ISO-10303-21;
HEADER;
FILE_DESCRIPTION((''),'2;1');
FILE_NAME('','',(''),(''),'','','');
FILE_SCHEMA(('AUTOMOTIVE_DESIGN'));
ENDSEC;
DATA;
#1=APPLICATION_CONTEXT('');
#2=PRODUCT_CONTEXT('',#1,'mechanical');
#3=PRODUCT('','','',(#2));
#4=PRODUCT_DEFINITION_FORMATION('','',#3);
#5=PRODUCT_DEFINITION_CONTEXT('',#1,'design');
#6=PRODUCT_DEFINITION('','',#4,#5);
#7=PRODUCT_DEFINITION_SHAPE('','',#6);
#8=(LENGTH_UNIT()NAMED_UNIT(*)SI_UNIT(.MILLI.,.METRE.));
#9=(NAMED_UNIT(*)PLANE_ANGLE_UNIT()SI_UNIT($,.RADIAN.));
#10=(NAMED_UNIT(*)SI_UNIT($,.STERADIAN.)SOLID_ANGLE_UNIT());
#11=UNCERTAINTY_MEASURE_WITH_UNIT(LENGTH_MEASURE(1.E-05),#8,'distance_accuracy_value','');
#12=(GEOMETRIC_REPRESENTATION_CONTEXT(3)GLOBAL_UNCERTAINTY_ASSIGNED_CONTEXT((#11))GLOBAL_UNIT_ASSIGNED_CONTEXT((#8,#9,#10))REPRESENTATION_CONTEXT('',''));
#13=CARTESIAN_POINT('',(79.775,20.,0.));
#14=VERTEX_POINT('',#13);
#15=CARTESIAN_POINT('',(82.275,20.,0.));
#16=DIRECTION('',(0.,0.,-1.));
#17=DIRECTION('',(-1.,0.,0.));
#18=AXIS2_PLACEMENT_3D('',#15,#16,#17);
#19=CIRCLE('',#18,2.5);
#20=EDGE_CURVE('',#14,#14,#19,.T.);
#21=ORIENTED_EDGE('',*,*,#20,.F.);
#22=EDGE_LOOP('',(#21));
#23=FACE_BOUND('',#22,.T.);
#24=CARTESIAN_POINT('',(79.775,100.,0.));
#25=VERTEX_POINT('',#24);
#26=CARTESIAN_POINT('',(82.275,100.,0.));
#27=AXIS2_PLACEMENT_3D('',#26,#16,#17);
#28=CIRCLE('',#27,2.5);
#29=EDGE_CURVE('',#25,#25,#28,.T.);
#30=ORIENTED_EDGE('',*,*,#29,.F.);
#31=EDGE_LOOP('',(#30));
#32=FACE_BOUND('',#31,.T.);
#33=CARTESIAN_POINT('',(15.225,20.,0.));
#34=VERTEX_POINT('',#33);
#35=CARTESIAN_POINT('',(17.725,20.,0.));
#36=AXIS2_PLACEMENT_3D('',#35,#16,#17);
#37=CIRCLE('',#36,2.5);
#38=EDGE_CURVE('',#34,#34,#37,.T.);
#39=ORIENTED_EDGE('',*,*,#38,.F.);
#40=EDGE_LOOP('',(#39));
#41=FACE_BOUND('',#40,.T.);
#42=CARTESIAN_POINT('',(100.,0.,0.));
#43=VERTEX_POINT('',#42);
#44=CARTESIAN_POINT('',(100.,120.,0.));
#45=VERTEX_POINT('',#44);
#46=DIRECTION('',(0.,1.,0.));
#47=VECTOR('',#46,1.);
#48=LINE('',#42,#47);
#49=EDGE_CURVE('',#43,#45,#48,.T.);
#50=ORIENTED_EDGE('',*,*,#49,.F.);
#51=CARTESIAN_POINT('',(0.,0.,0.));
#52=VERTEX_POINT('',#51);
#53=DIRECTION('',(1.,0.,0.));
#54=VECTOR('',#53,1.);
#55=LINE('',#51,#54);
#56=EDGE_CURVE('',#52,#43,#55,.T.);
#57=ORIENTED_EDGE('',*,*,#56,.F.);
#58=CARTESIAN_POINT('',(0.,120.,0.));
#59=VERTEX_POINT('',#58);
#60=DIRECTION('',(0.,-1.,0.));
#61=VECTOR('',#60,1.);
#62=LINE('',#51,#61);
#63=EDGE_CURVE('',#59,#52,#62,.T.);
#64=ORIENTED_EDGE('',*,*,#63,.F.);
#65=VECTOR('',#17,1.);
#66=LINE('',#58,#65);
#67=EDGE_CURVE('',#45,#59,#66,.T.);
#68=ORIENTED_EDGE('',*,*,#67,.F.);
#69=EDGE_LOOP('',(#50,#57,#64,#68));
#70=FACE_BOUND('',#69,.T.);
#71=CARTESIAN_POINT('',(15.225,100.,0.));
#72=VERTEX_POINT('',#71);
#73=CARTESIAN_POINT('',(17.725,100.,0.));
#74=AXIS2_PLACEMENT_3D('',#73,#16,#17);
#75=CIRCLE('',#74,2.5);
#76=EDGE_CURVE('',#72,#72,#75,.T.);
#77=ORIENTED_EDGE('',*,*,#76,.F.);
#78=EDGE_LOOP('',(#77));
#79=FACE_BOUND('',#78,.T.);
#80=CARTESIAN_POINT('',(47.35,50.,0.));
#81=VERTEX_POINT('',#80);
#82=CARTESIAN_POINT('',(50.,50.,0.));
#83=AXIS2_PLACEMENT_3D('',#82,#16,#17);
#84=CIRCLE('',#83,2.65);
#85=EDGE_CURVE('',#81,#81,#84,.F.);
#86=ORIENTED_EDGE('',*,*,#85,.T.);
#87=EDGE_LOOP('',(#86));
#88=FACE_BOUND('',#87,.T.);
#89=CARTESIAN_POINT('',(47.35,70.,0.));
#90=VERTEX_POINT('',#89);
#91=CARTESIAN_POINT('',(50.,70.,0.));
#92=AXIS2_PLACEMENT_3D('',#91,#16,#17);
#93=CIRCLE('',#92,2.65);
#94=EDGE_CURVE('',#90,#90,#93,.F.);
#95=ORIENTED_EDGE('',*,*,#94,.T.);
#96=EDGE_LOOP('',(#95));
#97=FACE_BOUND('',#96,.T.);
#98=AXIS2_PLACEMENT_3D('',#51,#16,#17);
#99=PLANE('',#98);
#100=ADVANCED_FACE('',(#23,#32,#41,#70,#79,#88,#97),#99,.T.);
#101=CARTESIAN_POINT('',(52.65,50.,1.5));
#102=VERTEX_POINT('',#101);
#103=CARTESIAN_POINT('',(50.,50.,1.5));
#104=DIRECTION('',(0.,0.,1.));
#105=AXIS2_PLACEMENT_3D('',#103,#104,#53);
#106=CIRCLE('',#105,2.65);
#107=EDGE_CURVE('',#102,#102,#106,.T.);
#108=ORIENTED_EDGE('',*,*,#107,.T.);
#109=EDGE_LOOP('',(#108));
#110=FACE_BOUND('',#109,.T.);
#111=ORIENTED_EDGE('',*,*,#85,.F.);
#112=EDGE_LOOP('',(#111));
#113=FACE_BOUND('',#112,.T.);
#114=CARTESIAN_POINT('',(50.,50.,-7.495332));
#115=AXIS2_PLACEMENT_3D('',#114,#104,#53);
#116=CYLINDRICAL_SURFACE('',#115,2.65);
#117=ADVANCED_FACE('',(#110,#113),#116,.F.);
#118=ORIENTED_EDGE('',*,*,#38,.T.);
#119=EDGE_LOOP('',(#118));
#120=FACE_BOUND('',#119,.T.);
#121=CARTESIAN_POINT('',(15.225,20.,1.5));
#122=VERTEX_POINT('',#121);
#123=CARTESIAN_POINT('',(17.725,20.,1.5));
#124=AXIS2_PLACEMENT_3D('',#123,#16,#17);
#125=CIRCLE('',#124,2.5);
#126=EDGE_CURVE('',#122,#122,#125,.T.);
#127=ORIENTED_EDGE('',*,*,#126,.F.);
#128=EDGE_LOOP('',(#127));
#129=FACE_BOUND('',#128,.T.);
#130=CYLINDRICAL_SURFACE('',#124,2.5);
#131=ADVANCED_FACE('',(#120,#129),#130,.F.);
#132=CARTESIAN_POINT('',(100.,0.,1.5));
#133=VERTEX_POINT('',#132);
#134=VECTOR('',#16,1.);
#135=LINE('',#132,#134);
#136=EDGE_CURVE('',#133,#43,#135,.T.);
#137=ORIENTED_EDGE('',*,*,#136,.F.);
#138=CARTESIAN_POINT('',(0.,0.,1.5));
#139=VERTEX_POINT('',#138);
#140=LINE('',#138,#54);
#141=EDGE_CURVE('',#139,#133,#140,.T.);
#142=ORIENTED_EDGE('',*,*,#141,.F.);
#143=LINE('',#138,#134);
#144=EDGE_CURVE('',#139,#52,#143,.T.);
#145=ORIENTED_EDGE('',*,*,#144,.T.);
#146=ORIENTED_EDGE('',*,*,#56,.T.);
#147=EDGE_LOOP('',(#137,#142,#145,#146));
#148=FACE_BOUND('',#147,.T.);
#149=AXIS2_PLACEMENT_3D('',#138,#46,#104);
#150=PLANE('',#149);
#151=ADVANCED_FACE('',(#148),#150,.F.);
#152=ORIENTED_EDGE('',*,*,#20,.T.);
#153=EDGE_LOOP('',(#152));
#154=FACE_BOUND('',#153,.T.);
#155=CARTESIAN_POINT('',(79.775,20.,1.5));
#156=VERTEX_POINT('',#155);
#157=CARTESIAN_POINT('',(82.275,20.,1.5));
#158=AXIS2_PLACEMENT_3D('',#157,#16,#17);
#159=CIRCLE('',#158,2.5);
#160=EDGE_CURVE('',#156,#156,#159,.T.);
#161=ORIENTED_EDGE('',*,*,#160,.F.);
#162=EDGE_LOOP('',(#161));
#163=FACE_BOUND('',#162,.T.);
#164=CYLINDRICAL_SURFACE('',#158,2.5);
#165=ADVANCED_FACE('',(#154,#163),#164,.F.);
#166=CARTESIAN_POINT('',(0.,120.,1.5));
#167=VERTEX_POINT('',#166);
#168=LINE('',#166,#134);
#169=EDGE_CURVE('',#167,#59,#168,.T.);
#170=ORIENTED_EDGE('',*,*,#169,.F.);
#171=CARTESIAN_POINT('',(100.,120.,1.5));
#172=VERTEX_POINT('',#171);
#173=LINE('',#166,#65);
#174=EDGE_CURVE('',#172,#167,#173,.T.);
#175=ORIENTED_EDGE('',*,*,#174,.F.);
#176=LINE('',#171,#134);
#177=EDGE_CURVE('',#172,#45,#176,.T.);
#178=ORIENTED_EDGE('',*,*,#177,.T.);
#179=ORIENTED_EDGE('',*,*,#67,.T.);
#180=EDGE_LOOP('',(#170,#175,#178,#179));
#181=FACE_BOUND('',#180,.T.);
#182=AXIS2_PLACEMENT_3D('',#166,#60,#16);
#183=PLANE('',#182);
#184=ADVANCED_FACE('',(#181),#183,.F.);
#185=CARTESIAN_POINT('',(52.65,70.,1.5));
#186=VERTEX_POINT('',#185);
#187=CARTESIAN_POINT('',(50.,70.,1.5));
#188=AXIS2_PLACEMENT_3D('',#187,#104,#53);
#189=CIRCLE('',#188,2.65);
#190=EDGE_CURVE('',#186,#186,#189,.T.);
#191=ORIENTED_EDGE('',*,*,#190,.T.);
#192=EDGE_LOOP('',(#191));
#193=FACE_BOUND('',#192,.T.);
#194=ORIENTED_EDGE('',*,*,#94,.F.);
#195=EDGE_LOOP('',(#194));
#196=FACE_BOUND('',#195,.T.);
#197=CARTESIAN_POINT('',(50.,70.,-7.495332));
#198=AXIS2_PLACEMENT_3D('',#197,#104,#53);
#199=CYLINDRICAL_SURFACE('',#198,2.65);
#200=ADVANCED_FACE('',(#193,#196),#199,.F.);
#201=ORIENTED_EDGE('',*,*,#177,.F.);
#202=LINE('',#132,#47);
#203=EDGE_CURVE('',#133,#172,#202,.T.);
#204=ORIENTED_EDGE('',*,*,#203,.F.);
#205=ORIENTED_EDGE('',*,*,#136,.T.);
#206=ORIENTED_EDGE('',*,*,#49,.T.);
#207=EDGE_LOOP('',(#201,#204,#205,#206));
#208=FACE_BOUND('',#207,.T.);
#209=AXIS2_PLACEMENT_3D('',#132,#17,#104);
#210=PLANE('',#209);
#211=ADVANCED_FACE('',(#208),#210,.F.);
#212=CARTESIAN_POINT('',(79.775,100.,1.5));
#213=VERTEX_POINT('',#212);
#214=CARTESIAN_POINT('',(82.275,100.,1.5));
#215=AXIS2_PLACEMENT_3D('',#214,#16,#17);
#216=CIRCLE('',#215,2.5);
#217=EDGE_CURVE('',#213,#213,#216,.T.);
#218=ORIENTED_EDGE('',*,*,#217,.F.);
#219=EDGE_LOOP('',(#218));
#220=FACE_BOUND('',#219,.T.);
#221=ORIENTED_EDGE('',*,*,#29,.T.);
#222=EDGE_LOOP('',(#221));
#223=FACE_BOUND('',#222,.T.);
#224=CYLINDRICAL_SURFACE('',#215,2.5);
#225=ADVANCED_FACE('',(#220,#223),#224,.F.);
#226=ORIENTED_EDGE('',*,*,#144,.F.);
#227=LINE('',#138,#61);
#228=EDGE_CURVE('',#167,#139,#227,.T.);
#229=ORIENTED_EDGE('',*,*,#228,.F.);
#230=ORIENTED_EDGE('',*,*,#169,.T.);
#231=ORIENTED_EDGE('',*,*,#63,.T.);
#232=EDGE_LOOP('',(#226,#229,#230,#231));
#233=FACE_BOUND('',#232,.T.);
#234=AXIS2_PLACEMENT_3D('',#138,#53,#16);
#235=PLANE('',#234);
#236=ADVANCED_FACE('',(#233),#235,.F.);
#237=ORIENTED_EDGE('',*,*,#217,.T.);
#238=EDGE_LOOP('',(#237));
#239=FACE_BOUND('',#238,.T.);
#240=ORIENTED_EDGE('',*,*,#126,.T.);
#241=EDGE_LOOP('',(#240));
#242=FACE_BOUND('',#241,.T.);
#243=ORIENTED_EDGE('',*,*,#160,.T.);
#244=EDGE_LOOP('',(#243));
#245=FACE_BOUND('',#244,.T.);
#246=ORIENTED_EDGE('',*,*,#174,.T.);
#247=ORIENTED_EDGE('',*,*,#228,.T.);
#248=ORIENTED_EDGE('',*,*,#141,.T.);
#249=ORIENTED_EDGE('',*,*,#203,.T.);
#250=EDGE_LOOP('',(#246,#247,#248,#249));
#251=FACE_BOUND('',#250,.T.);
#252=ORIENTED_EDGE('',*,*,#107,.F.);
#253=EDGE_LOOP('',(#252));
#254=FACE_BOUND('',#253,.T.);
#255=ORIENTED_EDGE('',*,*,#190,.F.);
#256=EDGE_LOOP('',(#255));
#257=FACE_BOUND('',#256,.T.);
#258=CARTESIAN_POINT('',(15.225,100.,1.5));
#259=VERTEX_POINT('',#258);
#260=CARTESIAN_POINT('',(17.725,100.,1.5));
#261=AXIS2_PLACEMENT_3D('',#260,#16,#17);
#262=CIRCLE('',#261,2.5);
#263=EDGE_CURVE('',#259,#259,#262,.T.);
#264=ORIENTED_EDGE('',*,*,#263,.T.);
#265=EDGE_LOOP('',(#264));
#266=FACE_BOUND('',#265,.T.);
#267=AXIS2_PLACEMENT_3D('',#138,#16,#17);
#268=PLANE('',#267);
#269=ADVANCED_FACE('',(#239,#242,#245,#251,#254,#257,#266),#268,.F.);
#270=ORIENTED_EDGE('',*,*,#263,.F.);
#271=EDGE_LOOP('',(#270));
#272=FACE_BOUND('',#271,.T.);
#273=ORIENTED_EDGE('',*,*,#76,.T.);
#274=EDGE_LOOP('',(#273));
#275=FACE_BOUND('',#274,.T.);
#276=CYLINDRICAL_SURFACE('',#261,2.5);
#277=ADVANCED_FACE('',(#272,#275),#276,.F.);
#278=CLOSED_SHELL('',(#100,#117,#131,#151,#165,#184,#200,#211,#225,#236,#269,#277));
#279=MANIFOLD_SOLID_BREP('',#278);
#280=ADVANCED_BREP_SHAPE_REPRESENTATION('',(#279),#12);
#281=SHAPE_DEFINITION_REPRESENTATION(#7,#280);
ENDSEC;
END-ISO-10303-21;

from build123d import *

# Parameters (mm, degrees)
SKETCH1_W           = 100
SKETCH1_H           = 120
BOSS_EXTRUDE1_DEPTH = 1.5
SKETCH2_R           = 2.5
CUT_EXTRUDE1_DEPTH  = 1.5
SKETCH4_R           = 2.65
CUT_EXTRUDE2_DEPTH  = 1.5


with BuildPart() as part:
    # Sketch1 → Boss-Extrude1 (new body)
    with BuildSketch(Plane.XY):
        with Locations((50, 60)):
            Rectangle(SKETCH1_W, SKETCH1_H)
    extrude(amount=BOSS_EXTRUDE1_DEPTH)

    # Sketch2 → Cut-Extrude1 (cut)
    with BuildSketch(Plane(origin=(0, 0, 0), x_dir=(-1, 0, 0), z_dir=(0, 0, -1))):
        with Locations((-82.275, 20)):
            Circle(SKETCH2_R)
        with Locations((-17.725, 20)):
            Circle(SKETCH2_R)
        with Locations((-17.725, 100)):
            Circle(SKETCH2_R)
        with Locations((-82.275, 100)):
            Circle(SKETCH2_R)
    extrude(amount=-CUT_EXTRUDE1_DEPTH, mode=Mode.SUBTRACT)

    # Sketch4 → Cut-Extrude2 (cut)
    with BuildSketch(Plane.XY.offset(1.5)):
        with Locations((50, 50)):
            Circle(SKETCH4_R)
        with Locations((50, 70)):
            Circle(SKETCH4_R)
    extrude(amount=-CUT_EXTRUDE2_DEPTH, mode=Mode.SUBTRACT)


solid = part.part
